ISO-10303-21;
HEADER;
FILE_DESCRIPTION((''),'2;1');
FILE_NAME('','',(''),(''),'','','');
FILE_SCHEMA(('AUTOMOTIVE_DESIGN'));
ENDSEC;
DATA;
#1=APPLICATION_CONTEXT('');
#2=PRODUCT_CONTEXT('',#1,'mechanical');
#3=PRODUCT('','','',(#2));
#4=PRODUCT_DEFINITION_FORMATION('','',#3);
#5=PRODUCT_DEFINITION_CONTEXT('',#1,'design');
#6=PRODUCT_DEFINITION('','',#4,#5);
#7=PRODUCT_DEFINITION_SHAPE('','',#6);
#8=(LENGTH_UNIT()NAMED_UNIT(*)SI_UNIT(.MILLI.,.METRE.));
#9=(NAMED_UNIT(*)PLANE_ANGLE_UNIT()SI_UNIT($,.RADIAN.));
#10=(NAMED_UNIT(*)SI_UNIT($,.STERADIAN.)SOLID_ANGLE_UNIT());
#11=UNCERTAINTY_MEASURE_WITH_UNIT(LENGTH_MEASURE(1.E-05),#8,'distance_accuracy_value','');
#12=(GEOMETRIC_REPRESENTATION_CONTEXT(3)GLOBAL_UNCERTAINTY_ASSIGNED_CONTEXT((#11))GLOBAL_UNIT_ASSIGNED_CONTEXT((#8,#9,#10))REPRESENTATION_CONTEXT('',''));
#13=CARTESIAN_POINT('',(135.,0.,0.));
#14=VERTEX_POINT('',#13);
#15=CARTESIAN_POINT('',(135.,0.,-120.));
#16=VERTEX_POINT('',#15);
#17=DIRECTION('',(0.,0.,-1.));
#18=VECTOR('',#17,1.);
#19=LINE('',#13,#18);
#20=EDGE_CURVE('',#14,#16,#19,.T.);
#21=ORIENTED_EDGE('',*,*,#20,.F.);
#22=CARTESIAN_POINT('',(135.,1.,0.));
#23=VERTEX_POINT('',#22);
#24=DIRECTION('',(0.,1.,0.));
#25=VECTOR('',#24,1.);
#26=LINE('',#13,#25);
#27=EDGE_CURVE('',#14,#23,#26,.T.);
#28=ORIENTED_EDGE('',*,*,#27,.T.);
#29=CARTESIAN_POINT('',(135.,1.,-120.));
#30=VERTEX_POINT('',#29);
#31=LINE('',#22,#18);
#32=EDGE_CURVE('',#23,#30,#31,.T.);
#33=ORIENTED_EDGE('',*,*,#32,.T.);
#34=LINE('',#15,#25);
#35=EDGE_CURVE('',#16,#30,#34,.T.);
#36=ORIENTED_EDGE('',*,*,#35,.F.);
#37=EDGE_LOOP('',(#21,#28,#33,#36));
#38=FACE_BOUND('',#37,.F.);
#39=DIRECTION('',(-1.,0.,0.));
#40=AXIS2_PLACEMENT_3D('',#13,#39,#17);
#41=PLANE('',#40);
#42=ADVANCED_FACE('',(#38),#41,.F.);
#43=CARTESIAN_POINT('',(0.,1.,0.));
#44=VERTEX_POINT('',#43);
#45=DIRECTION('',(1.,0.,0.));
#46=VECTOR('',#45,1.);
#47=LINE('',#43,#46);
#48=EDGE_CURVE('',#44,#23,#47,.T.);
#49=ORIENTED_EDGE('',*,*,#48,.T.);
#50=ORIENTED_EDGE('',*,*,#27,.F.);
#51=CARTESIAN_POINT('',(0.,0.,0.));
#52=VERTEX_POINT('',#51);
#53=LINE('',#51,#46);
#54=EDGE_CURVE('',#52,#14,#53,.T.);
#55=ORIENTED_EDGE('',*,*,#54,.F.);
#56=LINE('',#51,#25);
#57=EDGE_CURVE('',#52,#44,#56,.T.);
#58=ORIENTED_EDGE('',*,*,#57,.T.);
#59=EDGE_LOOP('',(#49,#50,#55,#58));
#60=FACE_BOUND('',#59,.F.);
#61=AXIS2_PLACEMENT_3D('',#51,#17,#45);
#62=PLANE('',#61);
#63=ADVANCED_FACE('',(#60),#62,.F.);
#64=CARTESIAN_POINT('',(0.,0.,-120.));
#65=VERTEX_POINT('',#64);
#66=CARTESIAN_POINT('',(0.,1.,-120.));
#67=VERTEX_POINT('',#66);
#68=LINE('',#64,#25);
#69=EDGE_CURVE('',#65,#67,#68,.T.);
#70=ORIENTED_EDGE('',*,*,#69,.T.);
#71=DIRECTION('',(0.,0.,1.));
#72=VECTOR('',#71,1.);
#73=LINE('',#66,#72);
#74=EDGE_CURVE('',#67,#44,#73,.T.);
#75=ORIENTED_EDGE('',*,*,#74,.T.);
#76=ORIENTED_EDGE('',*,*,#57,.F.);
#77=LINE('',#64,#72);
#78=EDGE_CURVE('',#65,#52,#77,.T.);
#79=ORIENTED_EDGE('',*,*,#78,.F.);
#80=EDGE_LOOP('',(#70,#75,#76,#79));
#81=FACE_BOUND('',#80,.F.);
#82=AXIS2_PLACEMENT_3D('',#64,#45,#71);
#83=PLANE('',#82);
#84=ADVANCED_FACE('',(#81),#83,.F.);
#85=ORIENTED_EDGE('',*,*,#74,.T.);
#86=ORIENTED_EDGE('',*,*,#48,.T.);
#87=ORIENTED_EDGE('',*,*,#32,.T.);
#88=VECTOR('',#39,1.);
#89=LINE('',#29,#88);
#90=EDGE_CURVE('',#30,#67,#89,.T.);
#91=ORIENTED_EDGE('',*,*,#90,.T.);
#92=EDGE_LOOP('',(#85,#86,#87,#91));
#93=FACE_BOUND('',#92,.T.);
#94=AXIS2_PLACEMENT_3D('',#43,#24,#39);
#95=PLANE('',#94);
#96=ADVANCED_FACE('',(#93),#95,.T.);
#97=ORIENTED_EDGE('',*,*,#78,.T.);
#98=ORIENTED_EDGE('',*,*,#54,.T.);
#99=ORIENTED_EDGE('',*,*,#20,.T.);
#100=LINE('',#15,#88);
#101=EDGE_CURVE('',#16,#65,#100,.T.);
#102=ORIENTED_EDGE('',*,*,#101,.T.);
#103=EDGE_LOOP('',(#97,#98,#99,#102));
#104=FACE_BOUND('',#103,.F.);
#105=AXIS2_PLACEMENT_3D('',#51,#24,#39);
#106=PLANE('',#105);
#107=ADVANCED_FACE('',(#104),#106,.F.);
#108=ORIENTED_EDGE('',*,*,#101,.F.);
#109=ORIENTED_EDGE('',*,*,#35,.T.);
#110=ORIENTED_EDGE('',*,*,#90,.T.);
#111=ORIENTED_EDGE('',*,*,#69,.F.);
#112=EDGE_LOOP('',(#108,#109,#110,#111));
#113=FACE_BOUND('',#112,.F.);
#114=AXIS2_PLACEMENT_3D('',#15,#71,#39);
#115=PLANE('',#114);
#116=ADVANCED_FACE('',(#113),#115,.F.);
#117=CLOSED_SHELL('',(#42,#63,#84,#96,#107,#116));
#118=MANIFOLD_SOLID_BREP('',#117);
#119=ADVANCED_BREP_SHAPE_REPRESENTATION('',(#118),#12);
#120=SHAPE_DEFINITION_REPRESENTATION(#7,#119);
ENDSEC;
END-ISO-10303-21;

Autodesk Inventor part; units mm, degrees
ref_plane "YZ Plane" through (0, 0, 0) normal (1, 0, 0) x (0, 1, 0)
ref_plane "XZ Plane" through (0, 0, 0) normal (0, 1, 0) x (-1, 0, 0)
ref_plane "XY Plane" through (0, 0, 0) normal (0, 0, 1) x (1, 0, 0)
sketch "Sketch1" plane through (0, 0, 0) normal (0, 1, 0) x (-1, 0, 0)
  line L0 (0, 0) -> (-135, 0)
  line L1 (-135, 0) -> (-135, -120)
  line L2 (-135, -120) -> (0, -120)
  line L3 (0, -120) -> (0, 0)
  dimension "d0" = 135
  dimension "d1" = 120
extrude "Extrusion1" add sketch "Sketch1" along normal blind 1
properties part number "solar-panel"
